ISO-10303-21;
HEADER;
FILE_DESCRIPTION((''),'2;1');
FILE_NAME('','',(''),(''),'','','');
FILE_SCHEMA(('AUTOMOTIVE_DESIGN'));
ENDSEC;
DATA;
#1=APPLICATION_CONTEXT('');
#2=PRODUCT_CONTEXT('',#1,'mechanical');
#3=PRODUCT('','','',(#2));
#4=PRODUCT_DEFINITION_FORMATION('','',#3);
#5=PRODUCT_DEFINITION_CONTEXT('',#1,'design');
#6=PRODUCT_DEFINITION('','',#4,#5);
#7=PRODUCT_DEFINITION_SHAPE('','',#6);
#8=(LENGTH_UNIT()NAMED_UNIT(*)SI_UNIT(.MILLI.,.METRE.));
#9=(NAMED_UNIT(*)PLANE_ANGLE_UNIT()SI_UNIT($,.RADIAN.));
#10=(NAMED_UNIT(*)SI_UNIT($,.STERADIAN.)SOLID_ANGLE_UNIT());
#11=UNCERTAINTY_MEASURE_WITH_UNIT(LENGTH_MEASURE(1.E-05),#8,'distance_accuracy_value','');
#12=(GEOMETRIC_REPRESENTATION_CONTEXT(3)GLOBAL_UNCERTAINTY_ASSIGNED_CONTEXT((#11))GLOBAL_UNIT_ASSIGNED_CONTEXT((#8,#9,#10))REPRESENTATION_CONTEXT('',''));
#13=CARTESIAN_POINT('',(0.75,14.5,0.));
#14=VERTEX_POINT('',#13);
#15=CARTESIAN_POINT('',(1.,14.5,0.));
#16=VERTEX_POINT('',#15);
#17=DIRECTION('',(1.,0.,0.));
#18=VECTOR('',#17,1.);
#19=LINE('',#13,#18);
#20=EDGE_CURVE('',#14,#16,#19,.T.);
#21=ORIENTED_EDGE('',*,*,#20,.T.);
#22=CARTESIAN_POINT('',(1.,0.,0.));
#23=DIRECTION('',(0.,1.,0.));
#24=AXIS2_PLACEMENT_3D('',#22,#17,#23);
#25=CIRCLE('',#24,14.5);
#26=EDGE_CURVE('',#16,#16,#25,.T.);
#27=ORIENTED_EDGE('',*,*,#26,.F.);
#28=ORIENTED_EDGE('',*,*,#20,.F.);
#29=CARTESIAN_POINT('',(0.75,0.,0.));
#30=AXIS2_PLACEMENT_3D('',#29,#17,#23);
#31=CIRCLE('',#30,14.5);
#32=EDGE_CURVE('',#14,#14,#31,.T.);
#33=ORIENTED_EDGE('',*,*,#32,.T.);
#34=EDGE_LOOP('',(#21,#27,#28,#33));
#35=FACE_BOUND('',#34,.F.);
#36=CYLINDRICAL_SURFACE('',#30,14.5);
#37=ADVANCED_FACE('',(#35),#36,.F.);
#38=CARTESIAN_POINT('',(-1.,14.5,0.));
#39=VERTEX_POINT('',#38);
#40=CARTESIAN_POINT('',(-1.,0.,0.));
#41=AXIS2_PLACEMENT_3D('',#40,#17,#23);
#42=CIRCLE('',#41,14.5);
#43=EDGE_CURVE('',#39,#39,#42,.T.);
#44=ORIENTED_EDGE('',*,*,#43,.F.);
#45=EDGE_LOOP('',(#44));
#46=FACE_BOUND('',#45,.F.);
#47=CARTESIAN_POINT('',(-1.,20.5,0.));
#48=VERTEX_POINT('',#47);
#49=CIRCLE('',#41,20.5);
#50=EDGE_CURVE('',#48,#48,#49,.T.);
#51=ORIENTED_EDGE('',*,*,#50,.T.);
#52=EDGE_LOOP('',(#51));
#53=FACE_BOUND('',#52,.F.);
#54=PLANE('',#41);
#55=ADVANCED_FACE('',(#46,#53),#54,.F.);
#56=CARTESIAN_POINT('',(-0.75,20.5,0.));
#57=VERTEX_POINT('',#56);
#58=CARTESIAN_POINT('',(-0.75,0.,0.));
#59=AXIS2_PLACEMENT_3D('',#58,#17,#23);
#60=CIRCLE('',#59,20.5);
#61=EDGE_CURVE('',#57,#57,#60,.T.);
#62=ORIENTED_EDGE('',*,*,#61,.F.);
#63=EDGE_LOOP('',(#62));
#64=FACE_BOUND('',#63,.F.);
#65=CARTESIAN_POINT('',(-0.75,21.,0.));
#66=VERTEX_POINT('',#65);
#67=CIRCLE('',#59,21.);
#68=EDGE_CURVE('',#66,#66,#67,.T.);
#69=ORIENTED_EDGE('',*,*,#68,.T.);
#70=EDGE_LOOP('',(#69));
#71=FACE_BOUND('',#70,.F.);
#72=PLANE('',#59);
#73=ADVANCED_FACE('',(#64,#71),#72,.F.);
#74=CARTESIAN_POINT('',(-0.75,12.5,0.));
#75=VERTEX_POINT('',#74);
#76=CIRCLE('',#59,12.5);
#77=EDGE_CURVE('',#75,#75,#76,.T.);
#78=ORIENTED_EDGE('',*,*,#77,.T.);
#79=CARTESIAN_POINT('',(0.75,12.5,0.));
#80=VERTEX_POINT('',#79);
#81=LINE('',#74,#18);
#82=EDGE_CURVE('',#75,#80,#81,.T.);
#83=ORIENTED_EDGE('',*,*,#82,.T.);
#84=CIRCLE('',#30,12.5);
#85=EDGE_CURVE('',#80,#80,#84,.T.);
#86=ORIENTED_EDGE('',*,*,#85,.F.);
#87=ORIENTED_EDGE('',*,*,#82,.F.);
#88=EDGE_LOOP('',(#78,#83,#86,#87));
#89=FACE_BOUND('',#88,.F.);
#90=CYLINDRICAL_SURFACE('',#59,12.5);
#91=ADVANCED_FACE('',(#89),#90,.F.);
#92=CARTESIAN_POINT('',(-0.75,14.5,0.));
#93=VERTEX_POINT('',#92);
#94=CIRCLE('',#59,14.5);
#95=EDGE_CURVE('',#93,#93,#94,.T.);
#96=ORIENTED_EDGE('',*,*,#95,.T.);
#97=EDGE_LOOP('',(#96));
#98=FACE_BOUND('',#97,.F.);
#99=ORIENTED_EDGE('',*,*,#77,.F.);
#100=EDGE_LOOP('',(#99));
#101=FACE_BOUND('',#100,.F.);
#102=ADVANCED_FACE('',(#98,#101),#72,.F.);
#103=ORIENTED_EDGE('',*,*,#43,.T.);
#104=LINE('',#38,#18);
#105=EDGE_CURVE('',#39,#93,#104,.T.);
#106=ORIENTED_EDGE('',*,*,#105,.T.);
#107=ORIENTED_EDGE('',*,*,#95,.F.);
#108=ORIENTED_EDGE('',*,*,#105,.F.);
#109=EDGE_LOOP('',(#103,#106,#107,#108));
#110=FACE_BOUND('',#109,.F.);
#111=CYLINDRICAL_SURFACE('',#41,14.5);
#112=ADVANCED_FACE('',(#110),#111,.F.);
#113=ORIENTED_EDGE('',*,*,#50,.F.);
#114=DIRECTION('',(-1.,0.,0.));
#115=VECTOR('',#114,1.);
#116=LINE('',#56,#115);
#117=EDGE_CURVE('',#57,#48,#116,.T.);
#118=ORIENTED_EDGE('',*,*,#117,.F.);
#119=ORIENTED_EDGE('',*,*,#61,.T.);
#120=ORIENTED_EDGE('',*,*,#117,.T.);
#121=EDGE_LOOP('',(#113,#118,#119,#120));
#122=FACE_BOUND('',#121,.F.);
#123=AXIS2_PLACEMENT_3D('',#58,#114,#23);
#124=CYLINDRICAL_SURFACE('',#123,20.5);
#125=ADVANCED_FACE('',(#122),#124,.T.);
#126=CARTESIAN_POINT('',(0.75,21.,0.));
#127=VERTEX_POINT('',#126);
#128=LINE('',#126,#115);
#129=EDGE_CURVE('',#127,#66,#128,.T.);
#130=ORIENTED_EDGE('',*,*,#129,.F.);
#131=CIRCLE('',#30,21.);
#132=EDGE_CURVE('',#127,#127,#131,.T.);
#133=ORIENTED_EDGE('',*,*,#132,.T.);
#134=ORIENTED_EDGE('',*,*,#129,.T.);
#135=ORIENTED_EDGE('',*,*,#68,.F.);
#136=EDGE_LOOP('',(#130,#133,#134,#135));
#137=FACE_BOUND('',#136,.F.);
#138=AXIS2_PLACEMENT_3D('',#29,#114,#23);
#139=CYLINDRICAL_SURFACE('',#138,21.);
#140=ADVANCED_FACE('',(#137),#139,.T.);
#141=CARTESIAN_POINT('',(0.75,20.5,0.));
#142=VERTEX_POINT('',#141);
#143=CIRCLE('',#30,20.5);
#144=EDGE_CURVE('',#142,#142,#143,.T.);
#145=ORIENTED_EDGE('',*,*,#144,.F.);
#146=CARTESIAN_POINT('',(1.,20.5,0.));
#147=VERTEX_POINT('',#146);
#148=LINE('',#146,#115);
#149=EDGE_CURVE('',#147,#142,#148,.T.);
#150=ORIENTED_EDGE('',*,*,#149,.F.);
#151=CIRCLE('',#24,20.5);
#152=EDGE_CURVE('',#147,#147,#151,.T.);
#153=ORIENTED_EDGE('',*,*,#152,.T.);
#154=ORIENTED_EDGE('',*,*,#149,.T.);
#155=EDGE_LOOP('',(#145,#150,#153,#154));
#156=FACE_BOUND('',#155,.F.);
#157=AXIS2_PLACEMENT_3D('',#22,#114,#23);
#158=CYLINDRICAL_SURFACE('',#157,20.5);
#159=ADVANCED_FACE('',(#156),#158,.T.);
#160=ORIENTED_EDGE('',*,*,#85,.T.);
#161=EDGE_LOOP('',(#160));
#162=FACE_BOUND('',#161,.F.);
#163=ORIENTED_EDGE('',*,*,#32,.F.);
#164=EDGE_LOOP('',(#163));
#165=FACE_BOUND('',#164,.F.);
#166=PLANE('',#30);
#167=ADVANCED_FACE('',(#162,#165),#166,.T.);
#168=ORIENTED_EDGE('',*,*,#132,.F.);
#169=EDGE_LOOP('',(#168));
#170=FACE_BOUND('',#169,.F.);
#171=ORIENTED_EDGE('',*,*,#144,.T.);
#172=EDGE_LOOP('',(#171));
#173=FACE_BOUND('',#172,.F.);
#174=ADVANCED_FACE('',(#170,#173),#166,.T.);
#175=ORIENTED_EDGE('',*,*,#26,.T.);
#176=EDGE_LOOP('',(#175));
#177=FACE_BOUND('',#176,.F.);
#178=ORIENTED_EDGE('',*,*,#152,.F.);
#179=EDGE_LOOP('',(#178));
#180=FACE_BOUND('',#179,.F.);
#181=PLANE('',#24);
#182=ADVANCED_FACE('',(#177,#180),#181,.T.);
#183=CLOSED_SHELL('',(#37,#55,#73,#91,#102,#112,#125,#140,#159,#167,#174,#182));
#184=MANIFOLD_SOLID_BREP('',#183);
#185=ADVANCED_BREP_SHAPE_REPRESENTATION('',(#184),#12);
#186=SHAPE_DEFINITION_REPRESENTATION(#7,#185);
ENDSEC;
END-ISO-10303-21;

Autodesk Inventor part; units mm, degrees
sketch "Sketch_1" plane through (0, 0, 0) normal (0, 0, 1) x (1, 0, 0)
  line L0 (50, 0) -> (-50, 0)
  line L1 (-1, 20.5) -> (-1, 14.5)
  line L2 (-1, 14.5) -> (-0.75, 14.5)
  line L3 (-0.75, 14.5) -> (-0.75, 12.5)
  line L4 (-0.75, 12.5) -> (0.75, 12.5)
  line L5 (0.75, 12.5) -> (0.75, 14.5)
  line L6 (0.75, 14.5) -> (1, 14.5)
  line L7 (1, 14.5) -> (1, 20.5)
  line L8 (1, 20.5) -> (0.75, 20.5)
  line L9 (0.75, 20.5) -> (0.75, 21)
  line L10 (0.75, 21) -> (-0.75, 21)
  line L11 (-0.75, 21) -> (-0.75, 20.5)
  line L12 (-0.75, 20.5) -> (-1, 20.5)
revolve "Revolution1" add sketch "Sketch_1" angle 360 about axis through (50, 0, 0) along (1, 0, 0)
ref_plane "core_to_washer_XY" through (0, 0, 0) normal (1, 0, 0) x (0, 0, -1)
ref_plane "core_to_washer_YZ" through (0, 0, 0) normal (0, 0, -1) x (0, 1, 0)
ref_plane "core_to_washer_ZX" through (0, 0, 0) normal (0, 1, 0) x (1, 0, 0)
ref_plane "core_to_washer1_XY" through (0, 0, 0) normal (-1, 0, 0) x (0, 0, -1)
ref_plane "core_to_washer1_YZ" through (0, 0, 0) normal (0, 0, -1) x (0, -1, 0)
ref_plane "core_to_washer1_ZX" through (0, 0, 0) normal (0, -1, 0) x (-1, 0, 0)
properties part number "core_BA2542" material "ステンレス鋼 440C"
